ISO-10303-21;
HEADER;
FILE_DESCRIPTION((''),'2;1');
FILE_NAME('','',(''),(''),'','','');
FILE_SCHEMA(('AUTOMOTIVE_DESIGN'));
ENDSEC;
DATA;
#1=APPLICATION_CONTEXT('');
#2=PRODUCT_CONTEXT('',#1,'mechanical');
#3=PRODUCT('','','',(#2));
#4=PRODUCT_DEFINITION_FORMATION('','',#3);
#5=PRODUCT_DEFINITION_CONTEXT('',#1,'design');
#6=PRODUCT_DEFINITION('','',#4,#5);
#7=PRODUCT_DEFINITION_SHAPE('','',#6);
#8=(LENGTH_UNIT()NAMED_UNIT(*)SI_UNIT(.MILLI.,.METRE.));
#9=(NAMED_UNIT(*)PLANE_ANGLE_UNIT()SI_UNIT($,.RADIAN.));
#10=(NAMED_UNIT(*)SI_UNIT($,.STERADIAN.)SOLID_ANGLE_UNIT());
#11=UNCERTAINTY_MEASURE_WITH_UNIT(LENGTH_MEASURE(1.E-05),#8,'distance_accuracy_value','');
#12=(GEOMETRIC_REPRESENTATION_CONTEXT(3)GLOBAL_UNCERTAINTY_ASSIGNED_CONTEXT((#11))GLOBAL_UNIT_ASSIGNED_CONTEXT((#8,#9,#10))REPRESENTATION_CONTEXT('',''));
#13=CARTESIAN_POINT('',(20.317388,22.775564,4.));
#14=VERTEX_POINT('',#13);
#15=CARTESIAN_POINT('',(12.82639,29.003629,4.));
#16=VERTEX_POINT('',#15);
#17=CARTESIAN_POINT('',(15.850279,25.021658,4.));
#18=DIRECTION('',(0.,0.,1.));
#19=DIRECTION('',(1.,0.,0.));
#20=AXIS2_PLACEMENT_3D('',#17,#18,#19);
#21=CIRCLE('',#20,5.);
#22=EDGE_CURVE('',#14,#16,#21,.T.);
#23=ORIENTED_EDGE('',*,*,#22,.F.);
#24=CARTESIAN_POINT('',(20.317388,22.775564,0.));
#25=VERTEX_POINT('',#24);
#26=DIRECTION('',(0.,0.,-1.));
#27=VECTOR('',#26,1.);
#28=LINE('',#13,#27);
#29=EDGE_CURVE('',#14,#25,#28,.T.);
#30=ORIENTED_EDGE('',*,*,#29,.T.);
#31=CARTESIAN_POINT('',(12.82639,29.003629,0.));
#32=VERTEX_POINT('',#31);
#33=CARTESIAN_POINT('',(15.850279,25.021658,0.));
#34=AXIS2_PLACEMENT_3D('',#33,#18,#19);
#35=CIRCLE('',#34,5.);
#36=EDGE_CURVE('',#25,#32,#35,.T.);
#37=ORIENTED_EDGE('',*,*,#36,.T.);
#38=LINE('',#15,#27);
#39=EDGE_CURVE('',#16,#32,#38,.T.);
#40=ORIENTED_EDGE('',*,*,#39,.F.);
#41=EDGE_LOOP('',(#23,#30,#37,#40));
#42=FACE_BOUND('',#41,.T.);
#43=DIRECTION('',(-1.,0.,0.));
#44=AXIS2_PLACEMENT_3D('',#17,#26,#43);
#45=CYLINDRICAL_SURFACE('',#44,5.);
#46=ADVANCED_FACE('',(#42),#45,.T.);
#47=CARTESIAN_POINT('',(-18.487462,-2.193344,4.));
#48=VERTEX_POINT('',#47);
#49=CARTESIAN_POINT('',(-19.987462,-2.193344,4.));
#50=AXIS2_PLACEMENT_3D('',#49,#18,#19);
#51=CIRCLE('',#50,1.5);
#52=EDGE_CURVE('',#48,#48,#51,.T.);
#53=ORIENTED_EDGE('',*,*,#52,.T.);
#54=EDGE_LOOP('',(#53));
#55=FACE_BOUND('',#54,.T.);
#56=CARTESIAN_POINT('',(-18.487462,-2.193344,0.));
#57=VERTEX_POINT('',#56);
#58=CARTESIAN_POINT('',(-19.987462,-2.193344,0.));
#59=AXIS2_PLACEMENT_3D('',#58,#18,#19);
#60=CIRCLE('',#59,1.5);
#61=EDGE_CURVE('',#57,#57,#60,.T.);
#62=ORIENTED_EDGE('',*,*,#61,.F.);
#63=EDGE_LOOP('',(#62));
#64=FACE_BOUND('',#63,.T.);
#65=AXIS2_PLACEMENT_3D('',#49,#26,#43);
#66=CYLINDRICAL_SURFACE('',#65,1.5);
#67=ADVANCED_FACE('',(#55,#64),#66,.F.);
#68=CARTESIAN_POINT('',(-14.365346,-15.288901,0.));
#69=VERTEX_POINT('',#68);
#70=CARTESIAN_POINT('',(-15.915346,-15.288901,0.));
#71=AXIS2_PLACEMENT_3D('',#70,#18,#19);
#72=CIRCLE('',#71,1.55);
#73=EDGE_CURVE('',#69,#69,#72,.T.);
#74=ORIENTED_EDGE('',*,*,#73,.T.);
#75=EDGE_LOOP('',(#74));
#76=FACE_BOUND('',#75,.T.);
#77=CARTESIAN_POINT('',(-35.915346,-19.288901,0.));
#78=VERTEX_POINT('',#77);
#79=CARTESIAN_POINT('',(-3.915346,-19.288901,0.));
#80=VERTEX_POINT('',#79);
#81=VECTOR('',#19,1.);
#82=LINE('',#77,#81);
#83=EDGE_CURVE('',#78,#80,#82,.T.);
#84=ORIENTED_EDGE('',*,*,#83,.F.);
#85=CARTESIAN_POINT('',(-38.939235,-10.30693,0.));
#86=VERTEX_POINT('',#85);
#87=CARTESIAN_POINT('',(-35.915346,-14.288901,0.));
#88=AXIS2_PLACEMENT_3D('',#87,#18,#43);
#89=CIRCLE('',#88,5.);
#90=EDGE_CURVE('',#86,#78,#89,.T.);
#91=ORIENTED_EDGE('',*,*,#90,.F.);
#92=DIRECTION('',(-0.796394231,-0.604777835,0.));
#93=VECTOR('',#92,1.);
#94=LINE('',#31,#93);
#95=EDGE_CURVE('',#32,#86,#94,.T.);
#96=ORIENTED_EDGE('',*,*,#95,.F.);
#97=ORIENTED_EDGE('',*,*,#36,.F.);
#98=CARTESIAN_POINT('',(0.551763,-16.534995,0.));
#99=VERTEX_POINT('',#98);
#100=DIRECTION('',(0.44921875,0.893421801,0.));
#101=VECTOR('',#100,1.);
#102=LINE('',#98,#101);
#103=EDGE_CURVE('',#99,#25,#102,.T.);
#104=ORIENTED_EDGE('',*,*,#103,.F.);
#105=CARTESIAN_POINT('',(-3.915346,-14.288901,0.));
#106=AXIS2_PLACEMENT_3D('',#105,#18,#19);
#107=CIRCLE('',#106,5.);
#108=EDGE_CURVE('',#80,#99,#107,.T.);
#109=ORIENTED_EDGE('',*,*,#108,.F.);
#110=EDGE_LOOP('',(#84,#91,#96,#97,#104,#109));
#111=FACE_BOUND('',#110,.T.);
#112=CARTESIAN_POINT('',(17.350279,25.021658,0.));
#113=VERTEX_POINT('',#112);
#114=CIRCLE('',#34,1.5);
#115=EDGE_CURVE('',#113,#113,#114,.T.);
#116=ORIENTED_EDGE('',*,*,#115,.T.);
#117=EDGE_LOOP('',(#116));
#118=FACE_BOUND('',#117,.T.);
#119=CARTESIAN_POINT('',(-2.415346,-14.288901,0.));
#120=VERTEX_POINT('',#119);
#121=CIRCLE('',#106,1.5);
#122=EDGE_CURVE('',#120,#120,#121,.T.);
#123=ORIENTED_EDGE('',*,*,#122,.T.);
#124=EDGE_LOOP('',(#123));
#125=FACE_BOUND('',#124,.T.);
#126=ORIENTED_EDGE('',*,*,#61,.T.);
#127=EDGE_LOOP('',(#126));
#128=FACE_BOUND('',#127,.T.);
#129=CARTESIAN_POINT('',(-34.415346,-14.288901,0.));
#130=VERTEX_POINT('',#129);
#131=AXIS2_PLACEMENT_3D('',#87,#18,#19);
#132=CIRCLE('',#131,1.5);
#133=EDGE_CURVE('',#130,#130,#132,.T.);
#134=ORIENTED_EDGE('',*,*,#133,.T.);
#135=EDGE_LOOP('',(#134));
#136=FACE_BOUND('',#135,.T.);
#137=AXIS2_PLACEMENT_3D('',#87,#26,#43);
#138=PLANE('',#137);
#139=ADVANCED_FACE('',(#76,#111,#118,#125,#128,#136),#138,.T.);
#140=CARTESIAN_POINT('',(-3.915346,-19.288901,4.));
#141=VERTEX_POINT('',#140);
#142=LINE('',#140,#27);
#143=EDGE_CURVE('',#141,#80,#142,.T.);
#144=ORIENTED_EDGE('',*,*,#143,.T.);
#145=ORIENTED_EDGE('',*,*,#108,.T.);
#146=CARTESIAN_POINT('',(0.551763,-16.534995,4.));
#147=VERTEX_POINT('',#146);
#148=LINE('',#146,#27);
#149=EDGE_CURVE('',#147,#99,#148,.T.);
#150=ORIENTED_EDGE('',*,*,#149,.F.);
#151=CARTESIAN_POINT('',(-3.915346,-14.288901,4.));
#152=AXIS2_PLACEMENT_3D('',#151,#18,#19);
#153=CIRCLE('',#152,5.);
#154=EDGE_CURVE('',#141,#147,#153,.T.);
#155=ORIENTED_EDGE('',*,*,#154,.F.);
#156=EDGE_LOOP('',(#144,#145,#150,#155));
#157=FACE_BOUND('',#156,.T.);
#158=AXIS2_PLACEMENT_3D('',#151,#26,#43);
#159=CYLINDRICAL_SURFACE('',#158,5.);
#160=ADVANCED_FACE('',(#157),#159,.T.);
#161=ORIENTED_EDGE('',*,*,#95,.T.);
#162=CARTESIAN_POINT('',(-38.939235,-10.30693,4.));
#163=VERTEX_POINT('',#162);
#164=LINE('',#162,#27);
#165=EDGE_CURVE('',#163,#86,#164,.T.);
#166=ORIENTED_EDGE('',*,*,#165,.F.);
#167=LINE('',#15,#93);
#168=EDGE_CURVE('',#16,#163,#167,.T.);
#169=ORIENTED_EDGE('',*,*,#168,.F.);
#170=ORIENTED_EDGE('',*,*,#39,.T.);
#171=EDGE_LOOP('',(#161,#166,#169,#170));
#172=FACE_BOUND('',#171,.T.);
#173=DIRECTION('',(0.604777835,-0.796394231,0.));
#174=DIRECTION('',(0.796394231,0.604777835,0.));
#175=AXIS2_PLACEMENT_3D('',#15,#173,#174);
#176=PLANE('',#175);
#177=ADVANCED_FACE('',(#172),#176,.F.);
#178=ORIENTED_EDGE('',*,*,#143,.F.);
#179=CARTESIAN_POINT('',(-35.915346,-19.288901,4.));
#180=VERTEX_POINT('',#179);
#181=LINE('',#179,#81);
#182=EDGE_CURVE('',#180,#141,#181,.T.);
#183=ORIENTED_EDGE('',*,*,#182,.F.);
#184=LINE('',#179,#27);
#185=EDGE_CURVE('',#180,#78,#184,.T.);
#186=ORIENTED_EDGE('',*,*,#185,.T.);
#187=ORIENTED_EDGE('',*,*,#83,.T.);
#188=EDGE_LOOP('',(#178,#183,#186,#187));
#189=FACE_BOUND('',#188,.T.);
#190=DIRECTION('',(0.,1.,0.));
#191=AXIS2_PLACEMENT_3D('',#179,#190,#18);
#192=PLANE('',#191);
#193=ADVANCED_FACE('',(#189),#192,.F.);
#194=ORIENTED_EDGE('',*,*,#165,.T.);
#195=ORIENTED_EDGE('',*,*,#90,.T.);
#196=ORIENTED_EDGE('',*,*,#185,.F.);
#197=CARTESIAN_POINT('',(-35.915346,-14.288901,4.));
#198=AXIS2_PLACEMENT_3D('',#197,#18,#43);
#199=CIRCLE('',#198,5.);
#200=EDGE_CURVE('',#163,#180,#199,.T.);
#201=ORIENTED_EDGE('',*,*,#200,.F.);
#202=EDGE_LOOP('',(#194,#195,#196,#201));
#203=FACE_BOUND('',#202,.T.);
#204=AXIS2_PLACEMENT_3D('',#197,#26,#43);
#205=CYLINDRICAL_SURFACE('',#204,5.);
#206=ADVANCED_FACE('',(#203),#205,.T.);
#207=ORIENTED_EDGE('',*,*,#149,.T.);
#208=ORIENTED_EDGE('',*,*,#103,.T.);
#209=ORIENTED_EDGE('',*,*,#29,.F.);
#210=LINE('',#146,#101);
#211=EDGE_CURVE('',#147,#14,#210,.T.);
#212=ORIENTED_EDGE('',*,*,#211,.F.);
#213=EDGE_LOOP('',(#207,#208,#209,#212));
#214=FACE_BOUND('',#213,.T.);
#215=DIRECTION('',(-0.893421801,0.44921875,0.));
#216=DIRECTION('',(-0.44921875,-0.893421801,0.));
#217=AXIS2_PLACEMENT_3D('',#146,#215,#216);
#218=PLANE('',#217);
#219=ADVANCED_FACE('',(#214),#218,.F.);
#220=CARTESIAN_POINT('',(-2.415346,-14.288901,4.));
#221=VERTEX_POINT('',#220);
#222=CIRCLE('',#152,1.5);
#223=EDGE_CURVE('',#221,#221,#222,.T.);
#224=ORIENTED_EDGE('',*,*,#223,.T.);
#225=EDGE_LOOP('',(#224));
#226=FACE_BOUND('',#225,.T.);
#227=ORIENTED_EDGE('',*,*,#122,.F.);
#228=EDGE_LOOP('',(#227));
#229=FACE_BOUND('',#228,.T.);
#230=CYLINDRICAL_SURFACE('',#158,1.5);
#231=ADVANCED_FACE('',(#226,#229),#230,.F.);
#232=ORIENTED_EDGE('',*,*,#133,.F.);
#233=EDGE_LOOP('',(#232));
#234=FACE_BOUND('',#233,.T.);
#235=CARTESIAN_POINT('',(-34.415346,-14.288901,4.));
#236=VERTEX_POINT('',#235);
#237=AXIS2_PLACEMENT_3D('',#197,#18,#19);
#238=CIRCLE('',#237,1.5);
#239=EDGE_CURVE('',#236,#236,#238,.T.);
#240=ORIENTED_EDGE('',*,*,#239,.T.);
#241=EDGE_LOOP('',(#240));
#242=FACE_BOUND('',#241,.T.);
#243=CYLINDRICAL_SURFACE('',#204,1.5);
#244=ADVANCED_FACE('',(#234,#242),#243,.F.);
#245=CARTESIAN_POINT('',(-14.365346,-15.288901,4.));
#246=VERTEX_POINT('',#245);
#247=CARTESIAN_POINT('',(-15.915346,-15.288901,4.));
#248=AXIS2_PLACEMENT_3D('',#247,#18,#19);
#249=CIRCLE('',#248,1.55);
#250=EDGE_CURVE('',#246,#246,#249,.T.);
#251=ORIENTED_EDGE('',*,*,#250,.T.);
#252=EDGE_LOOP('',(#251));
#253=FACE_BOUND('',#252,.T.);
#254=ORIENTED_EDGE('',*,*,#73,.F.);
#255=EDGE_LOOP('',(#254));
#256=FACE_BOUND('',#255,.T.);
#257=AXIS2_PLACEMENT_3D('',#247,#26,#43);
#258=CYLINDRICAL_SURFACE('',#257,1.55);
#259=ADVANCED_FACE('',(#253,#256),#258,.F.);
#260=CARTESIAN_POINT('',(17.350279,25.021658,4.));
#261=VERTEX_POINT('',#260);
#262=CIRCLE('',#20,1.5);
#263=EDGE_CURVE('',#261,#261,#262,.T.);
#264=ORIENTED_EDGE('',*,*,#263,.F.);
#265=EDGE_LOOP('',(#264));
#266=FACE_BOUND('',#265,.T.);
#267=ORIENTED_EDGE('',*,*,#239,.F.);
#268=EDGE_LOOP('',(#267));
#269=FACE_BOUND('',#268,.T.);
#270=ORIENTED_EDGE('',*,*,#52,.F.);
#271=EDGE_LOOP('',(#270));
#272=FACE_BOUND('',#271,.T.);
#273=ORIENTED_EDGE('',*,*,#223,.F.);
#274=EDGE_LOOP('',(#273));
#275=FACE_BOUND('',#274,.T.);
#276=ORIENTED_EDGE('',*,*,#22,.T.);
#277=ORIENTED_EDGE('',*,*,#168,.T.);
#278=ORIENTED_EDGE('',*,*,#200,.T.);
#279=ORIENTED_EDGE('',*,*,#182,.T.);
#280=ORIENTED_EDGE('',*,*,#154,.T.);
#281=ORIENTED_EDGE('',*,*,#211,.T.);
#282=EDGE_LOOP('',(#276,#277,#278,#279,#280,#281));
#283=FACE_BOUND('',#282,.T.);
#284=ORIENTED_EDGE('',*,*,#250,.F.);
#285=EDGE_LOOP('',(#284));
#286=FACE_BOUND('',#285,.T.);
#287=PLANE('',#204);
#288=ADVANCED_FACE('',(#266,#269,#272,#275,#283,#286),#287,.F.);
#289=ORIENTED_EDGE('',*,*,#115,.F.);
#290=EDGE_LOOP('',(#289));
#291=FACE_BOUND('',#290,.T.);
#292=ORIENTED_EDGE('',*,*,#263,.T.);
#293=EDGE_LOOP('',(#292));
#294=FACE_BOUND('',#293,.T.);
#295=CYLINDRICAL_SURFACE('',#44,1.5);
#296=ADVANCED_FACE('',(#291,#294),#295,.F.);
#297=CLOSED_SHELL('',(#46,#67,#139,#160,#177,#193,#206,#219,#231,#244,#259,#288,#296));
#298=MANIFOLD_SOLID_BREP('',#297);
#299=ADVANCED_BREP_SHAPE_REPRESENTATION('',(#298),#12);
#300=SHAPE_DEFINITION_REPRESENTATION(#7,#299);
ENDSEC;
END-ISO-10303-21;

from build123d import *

# Parameters (mm, degrees)
SKETCH_1_R      = 1.5
SKETCH_1_R_2    = 1.55
EXTRUDE_1_DEPTH = 4


with BuildPart() as part:
    # 草图1 → 凸台-拉伸1 (new body)
    with BuildSketch(Plane.XY):
        with BuildLine():
            Line((12.826389613, 29.00362922), (-38.939235387, -10.306930028))
            ThreePointArc((-38.939235387, -10.306930028), (-40.654009304, -15.884229397), (-35.915346214, -19.288901182))
            Line((-35.915346214, -19.288901182), (-3.915346214, -19.288901182))
            ThreePointArc((-3.915346214, -19.288901182), (-1.291462523, -18.545100704), (0.551762792, -16.534994932))
            Line((0.551762792, -16.534994932), (20.317387792, 22.775564316))
            ThreePointArc((20.317387792, 22.775564316), (19.046826765, 28.866405264), (12.826389613, 29.00362922))
        make_face()
        with Locations((15.850278786, 25.021658066)):
            Circle(SKETCH_1_R, mode=Mode.SUBTRACT)
        with Locations((-3.915346214, -14.288901182)):
            Circle(SKETCH_1_R, mode=Mode.SUBTRACT)
        with Locations((-35.915346214, -14.288901182)):
            Circle(SKETCH_1_R, mode=Mode.SUBTRACT)
        with Locations((-19.987461598, -2.19334449)):
            Circle(SKETCH_1_R, mode=Mode.SUBTRACT)
        with Locations((-15.915346214, -15.288901182)):
            Circle(SKETCH_1_R_2, mode=Mode.SUBTRACT)
    extrude(amount=EXTRUDE_1_DEPTH)


solid = part.part
